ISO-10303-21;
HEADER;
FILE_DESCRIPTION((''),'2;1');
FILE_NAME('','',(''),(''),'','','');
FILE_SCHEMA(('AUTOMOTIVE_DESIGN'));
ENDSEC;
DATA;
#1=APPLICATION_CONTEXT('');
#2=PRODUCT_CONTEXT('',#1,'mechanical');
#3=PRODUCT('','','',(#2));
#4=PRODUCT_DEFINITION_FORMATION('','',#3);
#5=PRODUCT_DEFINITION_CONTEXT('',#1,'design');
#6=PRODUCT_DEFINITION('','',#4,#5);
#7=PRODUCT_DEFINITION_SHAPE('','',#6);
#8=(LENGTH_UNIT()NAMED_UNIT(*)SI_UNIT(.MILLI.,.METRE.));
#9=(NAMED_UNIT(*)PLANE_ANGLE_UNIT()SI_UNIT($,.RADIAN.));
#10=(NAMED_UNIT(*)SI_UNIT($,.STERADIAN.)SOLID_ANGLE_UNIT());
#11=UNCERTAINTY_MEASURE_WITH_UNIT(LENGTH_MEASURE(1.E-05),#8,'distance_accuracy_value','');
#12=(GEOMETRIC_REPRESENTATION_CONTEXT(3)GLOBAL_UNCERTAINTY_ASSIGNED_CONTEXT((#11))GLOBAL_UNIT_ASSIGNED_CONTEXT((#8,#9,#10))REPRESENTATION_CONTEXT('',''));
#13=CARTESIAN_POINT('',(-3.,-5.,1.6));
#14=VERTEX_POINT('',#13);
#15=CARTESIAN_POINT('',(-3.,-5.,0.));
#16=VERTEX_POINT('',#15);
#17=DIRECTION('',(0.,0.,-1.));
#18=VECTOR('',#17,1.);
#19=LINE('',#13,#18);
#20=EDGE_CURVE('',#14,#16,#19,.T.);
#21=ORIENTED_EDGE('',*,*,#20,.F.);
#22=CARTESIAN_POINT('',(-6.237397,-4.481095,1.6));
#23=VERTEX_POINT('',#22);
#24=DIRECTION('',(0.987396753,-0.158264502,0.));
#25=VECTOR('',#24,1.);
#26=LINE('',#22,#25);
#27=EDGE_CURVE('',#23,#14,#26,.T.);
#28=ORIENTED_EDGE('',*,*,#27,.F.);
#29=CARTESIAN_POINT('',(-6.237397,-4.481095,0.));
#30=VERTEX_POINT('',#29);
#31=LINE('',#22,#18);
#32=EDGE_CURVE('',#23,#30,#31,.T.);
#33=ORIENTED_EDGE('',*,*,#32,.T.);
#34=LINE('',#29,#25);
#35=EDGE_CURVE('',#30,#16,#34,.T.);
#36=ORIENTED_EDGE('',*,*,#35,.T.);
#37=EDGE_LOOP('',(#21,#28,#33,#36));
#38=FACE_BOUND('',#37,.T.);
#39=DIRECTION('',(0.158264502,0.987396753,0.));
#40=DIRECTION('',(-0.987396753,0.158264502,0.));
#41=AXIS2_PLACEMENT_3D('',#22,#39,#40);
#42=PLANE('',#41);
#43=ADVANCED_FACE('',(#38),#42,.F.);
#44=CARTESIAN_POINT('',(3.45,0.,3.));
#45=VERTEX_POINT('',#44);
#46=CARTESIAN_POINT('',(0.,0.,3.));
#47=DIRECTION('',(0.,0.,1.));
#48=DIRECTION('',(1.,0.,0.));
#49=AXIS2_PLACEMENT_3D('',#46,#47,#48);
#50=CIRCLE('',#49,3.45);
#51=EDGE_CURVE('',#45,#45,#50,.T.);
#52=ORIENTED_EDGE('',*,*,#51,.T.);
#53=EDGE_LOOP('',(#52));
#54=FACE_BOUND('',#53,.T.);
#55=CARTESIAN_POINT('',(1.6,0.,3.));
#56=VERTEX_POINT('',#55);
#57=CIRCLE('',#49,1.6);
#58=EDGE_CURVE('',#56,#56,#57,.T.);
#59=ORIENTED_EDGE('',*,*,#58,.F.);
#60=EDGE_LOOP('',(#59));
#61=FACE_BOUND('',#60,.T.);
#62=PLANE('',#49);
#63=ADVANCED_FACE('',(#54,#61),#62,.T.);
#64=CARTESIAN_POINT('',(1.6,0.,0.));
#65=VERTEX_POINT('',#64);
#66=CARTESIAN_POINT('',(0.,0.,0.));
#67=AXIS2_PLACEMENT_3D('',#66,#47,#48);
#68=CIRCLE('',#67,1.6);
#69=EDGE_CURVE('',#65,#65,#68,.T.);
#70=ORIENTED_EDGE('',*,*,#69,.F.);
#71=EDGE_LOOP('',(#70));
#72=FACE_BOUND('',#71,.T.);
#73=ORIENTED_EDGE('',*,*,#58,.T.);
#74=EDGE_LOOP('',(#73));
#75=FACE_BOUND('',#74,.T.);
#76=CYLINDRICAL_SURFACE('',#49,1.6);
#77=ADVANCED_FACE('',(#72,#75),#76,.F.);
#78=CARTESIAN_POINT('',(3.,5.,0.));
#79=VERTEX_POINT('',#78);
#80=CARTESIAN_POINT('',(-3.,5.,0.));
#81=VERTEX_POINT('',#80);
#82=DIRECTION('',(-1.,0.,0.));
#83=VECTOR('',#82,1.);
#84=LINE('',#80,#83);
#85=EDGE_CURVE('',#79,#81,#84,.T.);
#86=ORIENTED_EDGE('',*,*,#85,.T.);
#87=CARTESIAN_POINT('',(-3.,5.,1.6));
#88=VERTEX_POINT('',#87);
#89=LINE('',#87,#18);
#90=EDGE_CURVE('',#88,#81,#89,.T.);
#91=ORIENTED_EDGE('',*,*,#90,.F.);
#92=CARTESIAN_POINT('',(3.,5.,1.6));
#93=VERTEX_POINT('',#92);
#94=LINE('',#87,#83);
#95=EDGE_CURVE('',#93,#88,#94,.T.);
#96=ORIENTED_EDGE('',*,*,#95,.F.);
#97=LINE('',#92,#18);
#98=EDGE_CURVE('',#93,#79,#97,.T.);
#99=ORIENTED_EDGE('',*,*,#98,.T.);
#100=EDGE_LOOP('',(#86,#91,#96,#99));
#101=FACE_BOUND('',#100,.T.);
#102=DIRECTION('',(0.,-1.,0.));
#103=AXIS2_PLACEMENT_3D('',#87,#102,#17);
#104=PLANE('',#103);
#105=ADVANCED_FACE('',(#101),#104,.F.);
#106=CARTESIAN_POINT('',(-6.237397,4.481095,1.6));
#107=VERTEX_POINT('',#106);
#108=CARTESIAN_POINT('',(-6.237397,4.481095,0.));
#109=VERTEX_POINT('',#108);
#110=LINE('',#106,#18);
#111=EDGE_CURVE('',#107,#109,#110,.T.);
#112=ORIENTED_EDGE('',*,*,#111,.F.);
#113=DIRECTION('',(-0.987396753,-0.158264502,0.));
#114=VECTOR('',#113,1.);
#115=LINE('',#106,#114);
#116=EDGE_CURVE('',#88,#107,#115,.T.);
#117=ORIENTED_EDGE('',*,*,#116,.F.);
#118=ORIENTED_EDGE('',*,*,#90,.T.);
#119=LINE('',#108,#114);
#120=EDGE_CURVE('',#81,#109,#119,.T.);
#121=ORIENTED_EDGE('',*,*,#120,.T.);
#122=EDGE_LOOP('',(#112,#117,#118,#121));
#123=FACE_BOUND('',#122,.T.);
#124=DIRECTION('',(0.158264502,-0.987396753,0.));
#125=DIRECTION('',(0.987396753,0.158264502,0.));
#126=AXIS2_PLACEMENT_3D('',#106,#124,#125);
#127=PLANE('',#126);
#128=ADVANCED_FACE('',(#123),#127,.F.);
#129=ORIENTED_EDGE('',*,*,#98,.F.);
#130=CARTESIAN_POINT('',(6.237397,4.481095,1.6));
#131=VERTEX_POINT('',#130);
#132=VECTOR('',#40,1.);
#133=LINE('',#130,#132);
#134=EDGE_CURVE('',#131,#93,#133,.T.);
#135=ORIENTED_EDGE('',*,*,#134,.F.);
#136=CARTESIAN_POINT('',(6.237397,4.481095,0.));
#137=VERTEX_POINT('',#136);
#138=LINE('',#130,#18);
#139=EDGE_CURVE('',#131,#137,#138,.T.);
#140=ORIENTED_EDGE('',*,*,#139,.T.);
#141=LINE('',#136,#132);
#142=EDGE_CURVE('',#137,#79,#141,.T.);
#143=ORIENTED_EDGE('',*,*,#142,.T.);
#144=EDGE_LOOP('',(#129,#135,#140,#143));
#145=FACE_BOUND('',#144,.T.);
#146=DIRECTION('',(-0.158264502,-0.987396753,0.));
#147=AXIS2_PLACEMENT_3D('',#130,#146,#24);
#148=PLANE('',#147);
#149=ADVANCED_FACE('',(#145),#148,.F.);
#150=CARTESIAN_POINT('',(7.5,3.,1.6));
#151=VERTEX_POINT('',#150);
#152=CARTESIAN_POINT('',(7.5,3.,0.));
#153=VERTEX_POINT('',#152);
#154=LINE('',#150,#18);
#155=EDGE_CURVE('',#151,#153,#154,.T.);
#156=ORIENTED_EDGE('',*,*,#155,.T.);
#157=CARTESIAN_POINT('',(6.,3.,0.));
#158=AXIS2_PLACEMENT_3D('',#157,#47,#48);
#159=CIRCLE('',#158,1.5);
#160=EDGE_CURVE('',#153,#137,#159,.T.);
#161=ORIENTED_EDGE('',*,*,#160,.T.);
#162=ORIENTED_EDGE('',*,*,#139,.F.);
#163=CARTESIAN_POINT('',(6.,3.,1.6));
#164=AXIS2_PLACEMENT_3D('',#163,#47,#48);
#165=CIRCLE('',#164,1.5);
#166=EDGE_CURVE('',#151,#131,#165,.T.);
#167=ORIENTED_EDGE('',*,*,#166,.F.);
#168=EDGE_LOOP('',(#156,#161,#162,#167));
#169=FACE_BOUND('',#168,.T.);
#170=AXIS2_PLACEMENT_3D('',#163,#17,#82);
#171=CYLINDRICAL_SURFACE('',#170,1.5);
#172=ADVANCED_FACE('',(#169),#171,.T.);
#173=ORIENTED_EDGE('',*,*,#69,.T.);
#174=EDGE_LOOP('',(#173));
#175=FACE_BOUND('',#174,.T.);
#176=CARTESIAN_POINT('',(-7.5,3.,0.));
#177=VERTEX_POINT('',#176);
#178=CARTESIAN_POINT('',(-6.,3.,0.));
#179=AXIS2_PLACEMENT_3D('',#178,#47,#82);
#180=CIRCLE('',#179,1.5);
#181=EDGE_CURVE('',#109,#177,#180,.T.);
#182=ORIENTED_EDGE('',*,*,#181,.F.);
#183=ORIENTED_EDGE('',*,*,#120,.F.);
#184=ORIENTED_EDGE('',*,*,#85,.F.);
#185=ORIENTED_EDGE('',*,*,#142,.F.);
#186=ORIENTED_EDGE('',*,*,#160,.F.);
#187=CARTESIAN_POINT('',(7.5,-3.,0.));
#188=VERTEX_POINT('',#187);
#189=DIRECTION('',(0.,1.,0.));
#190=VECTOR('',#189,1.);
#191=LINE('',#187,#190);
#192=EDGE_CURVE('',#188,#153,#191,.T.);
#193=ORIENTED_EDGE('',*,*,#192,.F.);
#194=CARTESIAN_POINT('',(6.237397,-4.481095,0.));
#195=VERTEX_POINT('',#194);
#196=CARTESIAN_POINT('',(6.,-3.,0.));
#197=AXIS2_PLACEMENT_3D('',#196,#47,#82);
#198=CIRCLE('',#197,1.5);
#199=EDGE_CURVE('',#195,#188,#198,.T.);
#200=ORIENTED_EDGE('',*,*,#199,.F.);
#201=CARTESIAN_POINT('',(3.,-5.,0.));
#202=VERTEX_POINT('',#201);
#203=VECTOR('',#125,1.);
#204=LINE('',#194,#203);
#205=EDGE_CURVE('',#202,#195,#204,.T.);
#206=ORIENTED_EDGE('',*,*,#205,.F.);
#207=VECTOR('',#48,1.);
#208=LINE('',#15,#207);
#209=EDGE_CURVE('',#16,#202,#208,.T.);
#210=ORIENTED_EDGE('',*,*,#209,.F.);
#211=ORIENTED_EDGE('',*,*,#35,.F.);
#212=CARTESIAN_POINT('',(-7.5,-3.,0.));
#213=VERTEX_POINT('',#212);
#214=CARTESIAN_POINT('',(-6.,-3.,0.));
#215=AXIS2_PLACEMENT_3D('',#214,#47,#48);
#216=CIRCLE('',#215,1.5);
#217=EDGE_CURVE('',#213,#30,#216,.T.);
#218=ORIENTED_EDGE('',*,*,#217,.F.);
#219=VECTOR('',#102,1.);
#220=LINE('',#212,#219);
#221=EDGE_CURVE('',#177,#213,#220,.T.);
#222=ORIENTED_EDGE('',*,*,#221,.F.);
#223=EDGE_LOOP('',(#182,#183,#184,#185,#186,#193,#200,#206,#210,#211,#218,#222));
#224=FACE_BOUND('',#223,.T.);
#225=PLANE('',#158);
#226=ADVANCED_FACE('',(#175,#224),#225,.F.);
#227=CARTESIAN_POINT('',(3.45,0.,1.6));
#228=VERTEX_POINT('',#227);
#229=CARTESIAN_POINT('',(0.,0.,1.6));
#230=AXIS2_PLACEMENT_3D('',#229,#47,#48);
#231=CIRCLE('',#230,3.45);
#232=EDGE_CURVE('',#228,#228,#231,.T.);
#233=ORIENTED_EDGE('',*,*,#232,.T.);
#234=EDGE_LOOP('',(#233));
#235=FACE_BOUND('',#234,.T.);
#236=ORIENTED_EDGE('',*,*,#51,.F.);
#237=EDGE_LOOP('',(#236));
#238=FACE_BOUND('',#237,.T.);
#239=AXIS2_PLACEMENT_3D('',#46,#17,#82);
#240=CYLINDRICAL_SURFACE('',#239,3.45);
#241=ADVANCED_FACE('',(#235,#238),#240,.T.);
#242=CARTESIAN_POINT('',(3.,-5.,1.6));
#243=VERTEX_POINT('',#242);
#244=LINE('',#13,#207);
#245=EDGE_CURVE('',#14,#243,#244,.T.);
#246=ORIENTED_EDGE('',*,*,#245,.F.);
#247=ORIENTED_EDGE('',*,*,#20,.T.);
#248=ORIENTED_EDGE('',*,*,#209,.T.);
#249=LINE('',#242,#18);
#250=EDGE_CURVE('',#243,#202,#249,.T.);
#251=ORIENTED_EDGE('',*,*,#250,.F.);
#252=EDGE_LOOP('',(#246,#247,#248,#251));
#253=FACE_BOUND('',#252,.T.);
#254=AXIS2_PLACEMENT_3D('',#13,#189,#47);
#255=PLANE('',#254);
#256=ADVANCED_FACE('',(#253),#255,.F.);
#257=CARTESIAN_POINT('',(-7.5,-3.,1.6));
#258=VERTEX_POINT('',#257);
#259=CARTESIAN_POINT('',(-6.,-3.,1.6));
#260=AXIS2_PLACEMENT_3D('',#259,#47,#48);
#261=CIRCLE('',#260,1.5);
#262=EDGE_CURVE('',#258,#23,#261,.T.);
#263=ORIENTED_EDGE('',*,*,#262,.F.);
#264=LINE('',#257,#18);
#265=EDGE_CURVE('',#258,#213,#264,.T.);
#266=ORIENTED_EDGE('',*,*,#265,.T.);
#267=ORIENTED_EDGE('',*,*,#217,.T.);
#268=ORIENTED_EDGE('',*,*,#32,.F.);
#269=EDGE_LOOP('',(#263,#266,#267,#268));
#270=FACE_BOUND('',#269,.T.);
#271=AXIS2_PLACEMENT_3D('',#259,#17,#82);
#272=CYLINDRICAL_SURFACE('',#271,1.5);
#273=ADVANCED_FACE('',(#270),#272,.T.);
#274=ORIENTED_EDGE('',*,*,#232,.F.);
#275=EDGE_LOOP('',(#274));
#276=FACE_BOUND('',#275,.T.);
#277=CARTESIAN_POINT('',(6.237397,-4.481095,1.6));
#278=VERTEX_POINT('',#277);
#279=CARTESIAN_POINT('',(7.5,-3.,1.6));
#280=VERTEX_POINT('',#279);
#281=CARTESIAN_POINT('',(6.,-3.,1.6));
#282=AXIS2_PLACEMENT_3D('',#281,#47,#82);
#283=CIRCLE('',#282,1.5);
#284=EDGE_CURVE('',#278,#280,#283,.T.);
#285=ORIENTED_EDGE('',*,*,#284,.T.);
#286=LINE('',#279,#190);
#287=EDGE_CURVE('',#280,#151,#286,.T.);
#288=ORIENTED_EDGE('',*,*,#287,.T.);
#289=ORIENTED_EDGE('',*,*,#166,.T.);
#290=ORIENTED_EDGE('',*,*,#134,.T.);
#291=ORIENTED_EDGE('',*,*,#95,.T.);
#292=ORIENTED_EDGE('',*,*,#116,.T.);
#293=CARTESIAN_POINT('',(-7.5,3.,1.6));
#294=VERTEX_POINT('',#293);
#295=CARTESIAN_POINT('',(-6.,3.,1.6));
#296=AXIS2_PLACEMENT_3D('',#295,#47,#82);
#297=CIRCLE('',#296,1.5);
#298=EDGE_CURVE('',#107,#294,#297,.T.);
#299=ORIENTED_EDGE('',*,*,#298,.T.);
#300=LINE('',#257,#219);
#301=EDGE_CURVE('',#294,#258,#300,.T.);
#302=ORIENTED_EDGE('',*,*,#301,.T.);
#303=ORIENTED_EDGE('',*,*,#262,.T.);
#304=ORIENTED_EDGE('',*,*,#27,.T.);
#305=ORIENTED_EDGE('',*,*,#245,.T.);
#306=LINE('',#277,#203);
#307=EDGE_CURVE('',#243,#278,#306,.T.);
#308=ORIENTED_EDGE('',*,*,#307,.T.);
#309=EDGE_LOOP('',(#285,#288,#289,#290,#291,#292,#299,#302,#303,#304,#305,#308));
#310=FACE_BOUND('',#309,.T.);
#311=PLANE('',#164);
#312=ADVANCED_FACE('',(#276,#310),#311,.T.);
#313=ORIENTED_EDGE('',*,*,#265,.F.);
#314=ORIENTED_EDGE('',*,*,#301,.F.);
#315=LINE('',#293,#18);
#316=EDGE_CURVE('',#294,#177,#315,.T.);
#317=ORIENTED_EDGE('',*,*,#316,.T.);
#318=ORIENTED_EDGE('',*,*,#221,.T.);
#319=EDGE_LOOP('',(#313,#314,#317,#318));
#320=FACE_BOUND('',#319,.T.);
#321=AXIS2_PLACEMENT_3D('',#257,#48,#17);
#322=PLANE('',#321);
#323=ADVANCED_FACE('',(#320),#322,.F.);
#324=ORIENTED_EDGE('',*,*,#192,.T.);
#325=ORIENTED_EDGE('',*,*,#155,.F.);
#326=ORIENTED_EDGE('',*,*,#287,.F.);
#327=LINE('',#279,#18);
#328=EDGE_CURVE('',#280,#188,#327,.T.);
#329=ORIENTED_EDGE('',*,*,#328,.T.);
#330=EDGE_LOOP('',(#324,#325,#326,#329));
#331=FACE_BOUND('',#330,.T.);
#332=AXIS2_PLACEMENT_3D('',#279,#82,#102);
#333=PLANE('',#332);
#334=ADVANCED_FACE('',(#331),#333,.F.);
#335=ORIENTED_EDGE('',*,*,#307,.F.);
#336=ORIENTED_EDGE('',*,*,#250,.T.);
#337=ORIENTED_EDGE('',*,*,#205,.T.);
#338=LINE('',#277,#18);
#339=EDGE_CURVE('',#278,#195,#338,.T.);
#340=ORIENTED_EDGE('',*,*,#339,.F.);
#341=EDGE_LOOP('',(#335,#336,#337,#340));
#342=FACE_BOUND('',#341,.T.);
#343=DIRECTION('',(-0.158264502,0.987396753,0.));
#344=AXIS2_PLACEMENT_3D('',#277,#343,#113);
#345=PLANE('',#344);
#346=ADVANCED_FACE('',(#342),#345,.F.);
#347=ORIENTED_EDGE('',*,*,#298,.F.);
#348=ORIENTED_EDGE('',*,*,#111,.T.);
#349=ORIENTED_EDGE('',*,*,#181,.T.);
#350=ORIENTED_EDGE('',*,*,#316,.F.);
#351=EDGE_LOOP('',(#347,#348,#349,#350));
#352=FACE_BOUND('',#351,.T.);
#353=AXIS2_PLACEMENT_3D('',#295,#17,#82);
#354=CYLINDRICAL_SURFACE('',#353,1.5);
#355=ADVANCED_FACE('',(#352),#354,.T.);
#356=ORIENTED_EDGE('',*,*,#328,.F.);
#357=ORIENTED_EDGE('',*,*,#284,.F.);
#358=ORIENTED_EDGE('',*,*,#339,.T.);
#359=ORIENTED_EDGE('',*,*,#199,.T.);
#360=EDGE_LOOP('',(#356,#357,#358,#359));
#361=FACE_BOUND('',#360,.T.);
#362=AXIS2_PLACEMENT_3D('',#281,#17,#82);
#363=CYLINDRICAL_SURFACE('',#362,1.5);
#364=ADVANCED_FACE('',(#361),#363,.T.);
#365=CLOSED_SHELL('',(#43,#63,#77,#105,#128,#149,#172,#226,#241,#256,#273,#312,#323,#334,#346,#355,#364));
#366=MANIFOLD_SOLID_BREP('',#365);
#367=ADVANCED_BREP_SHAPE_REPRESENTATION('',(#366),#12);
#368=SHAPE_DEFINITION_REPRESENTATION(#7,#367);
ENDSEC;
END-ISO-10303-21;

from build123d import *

# Parameters (mm, degrees)
BOSS_EXTRUDE1_DEPTH   = 1.6
SKETCH2_R             = 3.45
BOSS_EXTRUDE2_DEPTH   = 1.4
M5X0_8_TAPPED_HOLE1_D = 3.2


with BuildPart() as part:
    # Sketch1 → Boss-Extrude1 (new body)
    with BuildSketch(Plane.XY):
        with BuildLine():
            Line((-6.237396753, 4.481095129), (-3, 5))
            Line((-3, 5), (3, 5))
            Line((3, 5), (6.237396753, 4.481095129))
            ThreePointArc((6.237396753, 4.481095129), (7.141511088, 3.973114811), (7.5, 3))
            Line((7.5, 3), (7.5, -3))
            ThreePointArc((7.5, -3), (7.141511088, -3.973114811), (6.237396753, -4.481095129))
            Line((6.237396753, -4.481095129), (3, -5))
            Line((3, -5), (-3, -5))
            Line((-3, -5), (-6.237396753, -4.481095129))
            ThreePointArc((-6.237396753, -4.481095129), (-7.141511088, -3.973114811), (-7.5, -3))
            Line((-7.5, -3), (-7.5, 3))
            ThreePointArc((-7.5, 3), (-7.141511088, 3.973114811), (-6.237396753, 4.481095129))
        make_face()
    extrude(amount=BOSS_EXTRUDE1_DEPTH)

    # Sketch2 → Boss-Extrude2 (add)
    with BuildSketch(Plane.XY.offset(1.6)):
        Circle(SKETCH2_R)
    extrude(amount=BOSS_EXTRUDE2_DEPTH)

    # M5x0.8 Tapped Hole1 (through all)
    with Locations(Plane.XY.offset(3)):
        with Locations((0, 0)):
            Hole(M5X0_8_TAPPED_HOLE1_D / 2)


solid = part.part
